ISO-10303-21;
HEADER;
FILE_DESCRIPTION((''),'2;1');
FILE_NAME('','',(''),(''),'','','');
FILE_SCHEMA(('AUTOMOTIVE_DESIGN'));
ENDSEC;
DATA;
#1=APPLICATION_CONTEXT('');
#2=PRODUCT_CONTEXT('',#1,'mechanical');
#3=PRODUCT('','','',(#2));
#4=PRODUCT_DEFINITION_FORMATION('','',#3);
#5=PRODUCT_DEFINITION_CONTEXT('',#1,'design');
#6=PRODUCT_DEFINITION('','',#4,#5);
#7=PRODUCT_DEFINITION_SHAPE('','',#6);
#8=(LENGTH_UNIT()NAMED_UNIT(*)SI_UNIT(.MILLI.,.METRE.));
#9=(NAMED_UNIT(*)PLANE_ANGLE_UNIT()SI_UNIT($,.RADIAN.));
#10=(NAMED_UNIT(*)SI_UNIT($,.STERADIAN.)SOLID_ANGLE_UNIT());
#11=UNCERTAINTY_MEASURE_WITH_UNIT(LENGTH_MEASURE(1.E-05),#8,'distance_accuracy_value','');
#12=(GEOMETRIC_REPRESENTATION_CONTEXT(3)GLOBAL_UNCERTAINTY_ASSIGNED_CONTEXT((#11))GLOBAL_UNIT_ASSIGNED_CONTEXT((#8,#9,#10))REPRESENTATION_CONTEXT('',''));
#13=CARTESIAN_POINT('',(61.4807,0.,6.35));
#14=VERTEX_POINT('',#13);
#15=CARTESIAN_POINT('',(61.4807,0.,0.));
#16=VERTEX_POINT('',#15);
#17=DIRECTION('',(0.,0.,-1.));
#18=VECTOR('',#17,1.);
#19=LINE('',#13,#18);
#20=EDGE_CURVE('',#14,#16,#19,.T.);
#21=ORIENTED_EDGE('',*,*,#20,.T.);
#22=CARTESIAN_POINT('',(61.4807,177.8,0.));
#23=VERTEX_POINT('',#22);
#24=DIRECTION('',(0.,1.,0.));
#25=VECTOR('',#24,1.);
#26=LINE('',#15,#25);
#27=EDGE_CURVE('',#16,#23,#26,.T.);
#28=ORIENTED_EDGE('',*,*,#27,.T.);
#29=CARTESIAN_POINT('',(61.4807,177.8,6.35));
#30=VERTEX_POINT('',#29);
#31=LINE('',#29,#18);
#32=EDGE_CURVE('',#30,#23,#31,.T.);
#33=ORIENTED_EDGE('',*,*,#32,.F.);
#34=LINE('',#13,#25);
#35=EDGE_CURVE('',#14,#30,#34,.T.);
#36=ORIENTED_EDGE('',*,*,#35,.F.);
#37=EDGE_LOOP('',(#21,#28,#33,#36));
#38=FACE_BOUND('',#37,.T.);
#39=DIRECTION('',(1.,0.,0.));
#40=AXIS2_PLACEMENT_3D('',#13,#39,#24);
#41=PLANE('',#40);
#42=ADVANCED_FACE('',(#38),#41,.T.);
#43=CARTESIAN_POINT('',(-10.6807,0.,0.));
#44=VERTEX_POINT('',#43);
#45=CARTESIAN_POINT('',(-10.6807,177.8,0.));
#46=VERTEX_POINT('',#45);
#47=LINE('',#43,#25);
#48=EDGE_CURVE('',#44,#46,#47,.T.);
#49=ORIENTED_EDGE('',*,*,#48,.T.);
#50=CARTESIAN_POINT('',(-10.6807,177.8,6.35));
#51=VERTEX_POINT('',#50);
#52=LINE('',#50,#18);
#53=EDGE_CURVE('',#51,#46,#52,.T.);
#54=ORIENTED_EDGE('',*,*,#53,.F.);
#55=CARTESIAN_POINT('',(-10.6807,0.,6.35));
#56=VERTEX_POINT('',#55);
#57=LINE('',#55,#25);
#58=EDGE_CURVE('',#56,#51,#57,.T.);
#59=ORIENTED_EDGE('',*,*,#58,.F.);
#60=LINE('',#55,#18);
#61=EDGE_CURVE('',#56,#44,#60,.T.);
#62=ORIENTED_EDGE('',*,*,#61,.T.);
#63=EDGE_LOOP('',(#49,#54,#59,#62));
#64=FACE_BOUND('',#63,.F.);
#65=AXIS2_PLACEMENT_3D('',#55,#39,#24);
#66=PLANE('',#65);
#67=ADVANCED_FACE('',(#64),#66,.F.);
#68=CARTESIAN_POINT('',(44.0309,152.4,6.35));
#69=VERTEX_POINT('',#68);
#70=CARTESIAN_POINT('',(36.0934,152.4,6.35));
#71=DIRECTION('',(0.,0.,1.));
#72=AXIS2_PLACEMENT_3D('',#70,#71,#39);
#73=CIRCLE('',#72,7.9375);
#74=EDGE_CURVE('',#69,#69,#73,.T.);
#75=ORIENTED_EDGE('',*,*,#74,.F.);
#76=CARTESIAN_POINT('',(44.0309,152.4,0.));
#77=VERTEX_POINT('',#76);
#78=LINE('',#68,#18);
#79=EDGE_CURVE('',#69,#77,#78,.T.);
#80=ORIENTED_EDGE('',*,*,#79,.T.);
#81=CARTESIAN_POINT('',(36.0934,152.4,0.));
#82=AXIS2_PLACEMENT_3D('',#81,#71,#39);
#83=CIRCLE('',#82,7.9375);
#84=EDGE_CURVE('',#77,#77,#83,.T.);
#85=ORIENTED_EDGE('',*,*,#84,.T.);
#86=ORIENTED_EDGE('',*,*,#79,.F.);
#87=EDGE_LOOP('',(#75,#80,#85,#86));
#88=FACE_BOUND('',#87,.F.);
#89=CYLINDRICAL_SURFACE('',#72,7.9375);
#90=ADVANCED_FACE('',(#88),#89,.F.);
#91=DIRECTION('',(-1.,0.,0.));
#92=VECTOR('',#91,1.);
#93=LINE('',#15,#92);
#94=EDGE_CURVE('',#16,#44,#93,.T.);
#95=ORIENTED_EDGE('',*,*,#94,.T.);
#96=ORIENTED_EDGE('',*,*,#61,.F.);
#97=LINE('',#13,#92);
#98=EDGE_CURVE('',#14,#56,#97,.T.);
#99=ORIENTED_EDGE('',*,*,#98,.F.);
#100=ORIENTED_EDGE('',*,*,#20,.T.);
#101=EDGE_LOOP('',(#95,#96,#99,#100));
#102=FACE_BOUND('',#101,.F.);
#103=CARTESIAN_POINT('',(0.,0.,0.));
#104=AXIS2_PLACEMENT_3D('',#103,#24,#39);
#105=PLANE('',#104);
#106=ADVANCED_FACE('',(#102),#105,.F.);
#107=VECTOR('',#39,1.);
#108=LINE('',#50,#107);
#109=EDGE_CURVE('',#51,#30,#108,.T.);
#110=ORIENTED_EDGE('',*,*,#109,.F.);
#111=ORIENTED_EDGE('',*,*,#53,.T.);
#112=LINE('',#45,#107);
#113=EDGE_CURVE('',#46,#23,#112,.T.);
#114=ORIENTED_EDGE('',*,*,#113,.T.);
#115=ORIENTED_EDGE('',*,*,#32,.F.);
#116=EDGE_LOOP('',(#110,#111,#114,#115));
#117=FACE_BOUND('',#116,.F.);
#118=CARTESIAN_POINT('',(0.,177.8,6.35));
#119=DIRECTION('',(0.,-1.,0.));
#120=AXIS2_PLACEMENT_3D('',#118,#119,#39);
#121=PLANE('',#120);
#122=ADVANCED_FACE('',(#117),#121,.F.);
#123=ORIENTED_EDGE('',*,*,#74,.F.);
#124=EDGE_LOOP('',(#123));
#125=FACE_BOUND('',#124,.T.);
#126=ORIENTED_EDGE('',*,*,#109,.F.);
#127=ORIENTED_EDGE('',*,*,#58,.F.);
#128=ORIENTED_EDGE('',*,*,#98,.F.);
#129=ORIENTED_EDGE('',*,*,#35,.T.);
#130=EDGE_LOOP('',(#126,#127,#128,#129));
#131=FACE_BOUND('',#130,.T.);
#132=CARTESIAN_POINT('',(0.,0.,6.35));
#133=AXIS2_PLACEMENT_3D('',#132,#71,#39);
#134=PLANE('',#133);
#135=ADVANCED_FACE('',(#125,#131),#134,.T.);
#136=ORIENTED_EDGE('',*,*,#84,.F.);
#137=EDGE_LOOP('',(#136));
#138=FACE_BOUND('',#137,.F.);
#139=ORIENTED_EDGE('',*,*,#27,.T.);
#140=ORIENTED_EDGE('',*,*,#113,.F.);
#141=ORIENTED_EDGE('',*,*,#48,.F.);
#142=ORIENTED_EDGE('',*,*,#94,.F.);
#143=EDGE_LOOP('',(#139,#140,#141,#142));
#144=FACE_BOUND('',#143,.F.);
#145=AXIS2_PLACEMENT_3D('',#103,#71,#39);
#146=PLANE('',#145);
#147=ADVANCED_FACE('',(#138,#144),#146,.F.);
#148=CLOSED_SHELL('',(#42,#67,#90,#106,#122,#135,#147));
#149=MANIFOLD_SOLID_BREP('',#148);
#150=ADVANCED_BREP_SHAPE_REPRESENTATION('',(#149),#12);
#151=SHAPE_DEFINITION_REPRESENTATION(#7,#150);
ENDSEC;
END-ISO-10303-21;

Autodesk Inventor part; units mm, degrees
ref_plane "YZ Plane" through (0, 0, 0) normal (1, 0, 0) x (0, 1, 0)
ref_plane "XZ Plane" through (0, 0, 0) normal (0, 1, 0) x (-1, 0, 0)
ref_plane "XY Plane" through (0, 0, 0) normal (0, 0, 1) x (1, 0, 0)
sketch "Sketch1" plane through (0, 0, 0) normal (0, 0, 1) x (1, 0, 0)
  line L0 (0, 0) -> (50.8, 0)
  line L1 (50.8, 0) -> (50.8, 190.5)
  line L2 (50.8, 190.5) -> (0, 190.5)
  line L3 (0, 190.5) -> (0, 0)
  dimension "d0" = 50.8
  dimension "d1" = 190.5
extrude "Extrusion1" add sketch "Sketch1" along normal blind 6.35
sketch "Sketch2" plane through (0, 0, 6.35) normal (0, 0, 1) x (1, 0, 0)
  circle A0 centre (36.0934, 152.4) radius 7.9375
  line L0 (0, 0) -> (50.8, 0) projected
  line L1 (50.8, 0) -> (50.8, 190.5) projected
  dimension "d4" = 152.4
  dimension "d5" = 15.875
  dimension "d15" = 14.7066
extrude "Extrusion2" cut sketch "Sketch2" against normal blind 6.35
sketch "Sketch3" plane through (0, 0, 6.35) normal (0, 0, 1) x (1, 0, 0)
  line L0 (0, 190.5) -> (0, 0) projected
  line L1 (50.8, 0) -> (50.8, 190.5) projected
  line L2 (0, 177.8) -> (50.8, 177.8)
  line L3 (50.8, 177.8) -> (50.8, 190.5)
  line L4 (50.8, 190.5) -> (0, 190.5)
  line L5 (0, 190.5) -> (0, 177.8)
  dimension "d8" = 12.7
extrude "Extrusion3" cut sketch "Sketch3" against normal blind 25.4
sketch "Sketch4" plane through (0, 0, 6.35) normal (0, 0, 1) x (1, 0, 0)
  line L0 (0, 0) -> (50.8, 0) projected
  line L1 (0, 0) -> (-10.6807, 0)
  line L2 (-10.6807, 0) -> (-10.6807, 177.8)
  line L3 (-10.6807, 177.8) -> (0, 177.8)
  line L4 (0, 177.8) -> (0, 0)
  line L5 (50.8, 0) -> (61.4807, 0)
  line L6 (61.4807, 0) -> (61.4807, 177.8)
  line L7 (61.4807, 177.8) -> (50.8, 177.8)
  line L8 (50.8, 177.8) -> (50.8, 0)
  dimension "d11" = 10.6807
  dimension "d12" = 10.6807
extrude "Extrusion4" add sketch "Sketch4" against normal blind 6.35
properties part number "polycarb wall for saw blade"
